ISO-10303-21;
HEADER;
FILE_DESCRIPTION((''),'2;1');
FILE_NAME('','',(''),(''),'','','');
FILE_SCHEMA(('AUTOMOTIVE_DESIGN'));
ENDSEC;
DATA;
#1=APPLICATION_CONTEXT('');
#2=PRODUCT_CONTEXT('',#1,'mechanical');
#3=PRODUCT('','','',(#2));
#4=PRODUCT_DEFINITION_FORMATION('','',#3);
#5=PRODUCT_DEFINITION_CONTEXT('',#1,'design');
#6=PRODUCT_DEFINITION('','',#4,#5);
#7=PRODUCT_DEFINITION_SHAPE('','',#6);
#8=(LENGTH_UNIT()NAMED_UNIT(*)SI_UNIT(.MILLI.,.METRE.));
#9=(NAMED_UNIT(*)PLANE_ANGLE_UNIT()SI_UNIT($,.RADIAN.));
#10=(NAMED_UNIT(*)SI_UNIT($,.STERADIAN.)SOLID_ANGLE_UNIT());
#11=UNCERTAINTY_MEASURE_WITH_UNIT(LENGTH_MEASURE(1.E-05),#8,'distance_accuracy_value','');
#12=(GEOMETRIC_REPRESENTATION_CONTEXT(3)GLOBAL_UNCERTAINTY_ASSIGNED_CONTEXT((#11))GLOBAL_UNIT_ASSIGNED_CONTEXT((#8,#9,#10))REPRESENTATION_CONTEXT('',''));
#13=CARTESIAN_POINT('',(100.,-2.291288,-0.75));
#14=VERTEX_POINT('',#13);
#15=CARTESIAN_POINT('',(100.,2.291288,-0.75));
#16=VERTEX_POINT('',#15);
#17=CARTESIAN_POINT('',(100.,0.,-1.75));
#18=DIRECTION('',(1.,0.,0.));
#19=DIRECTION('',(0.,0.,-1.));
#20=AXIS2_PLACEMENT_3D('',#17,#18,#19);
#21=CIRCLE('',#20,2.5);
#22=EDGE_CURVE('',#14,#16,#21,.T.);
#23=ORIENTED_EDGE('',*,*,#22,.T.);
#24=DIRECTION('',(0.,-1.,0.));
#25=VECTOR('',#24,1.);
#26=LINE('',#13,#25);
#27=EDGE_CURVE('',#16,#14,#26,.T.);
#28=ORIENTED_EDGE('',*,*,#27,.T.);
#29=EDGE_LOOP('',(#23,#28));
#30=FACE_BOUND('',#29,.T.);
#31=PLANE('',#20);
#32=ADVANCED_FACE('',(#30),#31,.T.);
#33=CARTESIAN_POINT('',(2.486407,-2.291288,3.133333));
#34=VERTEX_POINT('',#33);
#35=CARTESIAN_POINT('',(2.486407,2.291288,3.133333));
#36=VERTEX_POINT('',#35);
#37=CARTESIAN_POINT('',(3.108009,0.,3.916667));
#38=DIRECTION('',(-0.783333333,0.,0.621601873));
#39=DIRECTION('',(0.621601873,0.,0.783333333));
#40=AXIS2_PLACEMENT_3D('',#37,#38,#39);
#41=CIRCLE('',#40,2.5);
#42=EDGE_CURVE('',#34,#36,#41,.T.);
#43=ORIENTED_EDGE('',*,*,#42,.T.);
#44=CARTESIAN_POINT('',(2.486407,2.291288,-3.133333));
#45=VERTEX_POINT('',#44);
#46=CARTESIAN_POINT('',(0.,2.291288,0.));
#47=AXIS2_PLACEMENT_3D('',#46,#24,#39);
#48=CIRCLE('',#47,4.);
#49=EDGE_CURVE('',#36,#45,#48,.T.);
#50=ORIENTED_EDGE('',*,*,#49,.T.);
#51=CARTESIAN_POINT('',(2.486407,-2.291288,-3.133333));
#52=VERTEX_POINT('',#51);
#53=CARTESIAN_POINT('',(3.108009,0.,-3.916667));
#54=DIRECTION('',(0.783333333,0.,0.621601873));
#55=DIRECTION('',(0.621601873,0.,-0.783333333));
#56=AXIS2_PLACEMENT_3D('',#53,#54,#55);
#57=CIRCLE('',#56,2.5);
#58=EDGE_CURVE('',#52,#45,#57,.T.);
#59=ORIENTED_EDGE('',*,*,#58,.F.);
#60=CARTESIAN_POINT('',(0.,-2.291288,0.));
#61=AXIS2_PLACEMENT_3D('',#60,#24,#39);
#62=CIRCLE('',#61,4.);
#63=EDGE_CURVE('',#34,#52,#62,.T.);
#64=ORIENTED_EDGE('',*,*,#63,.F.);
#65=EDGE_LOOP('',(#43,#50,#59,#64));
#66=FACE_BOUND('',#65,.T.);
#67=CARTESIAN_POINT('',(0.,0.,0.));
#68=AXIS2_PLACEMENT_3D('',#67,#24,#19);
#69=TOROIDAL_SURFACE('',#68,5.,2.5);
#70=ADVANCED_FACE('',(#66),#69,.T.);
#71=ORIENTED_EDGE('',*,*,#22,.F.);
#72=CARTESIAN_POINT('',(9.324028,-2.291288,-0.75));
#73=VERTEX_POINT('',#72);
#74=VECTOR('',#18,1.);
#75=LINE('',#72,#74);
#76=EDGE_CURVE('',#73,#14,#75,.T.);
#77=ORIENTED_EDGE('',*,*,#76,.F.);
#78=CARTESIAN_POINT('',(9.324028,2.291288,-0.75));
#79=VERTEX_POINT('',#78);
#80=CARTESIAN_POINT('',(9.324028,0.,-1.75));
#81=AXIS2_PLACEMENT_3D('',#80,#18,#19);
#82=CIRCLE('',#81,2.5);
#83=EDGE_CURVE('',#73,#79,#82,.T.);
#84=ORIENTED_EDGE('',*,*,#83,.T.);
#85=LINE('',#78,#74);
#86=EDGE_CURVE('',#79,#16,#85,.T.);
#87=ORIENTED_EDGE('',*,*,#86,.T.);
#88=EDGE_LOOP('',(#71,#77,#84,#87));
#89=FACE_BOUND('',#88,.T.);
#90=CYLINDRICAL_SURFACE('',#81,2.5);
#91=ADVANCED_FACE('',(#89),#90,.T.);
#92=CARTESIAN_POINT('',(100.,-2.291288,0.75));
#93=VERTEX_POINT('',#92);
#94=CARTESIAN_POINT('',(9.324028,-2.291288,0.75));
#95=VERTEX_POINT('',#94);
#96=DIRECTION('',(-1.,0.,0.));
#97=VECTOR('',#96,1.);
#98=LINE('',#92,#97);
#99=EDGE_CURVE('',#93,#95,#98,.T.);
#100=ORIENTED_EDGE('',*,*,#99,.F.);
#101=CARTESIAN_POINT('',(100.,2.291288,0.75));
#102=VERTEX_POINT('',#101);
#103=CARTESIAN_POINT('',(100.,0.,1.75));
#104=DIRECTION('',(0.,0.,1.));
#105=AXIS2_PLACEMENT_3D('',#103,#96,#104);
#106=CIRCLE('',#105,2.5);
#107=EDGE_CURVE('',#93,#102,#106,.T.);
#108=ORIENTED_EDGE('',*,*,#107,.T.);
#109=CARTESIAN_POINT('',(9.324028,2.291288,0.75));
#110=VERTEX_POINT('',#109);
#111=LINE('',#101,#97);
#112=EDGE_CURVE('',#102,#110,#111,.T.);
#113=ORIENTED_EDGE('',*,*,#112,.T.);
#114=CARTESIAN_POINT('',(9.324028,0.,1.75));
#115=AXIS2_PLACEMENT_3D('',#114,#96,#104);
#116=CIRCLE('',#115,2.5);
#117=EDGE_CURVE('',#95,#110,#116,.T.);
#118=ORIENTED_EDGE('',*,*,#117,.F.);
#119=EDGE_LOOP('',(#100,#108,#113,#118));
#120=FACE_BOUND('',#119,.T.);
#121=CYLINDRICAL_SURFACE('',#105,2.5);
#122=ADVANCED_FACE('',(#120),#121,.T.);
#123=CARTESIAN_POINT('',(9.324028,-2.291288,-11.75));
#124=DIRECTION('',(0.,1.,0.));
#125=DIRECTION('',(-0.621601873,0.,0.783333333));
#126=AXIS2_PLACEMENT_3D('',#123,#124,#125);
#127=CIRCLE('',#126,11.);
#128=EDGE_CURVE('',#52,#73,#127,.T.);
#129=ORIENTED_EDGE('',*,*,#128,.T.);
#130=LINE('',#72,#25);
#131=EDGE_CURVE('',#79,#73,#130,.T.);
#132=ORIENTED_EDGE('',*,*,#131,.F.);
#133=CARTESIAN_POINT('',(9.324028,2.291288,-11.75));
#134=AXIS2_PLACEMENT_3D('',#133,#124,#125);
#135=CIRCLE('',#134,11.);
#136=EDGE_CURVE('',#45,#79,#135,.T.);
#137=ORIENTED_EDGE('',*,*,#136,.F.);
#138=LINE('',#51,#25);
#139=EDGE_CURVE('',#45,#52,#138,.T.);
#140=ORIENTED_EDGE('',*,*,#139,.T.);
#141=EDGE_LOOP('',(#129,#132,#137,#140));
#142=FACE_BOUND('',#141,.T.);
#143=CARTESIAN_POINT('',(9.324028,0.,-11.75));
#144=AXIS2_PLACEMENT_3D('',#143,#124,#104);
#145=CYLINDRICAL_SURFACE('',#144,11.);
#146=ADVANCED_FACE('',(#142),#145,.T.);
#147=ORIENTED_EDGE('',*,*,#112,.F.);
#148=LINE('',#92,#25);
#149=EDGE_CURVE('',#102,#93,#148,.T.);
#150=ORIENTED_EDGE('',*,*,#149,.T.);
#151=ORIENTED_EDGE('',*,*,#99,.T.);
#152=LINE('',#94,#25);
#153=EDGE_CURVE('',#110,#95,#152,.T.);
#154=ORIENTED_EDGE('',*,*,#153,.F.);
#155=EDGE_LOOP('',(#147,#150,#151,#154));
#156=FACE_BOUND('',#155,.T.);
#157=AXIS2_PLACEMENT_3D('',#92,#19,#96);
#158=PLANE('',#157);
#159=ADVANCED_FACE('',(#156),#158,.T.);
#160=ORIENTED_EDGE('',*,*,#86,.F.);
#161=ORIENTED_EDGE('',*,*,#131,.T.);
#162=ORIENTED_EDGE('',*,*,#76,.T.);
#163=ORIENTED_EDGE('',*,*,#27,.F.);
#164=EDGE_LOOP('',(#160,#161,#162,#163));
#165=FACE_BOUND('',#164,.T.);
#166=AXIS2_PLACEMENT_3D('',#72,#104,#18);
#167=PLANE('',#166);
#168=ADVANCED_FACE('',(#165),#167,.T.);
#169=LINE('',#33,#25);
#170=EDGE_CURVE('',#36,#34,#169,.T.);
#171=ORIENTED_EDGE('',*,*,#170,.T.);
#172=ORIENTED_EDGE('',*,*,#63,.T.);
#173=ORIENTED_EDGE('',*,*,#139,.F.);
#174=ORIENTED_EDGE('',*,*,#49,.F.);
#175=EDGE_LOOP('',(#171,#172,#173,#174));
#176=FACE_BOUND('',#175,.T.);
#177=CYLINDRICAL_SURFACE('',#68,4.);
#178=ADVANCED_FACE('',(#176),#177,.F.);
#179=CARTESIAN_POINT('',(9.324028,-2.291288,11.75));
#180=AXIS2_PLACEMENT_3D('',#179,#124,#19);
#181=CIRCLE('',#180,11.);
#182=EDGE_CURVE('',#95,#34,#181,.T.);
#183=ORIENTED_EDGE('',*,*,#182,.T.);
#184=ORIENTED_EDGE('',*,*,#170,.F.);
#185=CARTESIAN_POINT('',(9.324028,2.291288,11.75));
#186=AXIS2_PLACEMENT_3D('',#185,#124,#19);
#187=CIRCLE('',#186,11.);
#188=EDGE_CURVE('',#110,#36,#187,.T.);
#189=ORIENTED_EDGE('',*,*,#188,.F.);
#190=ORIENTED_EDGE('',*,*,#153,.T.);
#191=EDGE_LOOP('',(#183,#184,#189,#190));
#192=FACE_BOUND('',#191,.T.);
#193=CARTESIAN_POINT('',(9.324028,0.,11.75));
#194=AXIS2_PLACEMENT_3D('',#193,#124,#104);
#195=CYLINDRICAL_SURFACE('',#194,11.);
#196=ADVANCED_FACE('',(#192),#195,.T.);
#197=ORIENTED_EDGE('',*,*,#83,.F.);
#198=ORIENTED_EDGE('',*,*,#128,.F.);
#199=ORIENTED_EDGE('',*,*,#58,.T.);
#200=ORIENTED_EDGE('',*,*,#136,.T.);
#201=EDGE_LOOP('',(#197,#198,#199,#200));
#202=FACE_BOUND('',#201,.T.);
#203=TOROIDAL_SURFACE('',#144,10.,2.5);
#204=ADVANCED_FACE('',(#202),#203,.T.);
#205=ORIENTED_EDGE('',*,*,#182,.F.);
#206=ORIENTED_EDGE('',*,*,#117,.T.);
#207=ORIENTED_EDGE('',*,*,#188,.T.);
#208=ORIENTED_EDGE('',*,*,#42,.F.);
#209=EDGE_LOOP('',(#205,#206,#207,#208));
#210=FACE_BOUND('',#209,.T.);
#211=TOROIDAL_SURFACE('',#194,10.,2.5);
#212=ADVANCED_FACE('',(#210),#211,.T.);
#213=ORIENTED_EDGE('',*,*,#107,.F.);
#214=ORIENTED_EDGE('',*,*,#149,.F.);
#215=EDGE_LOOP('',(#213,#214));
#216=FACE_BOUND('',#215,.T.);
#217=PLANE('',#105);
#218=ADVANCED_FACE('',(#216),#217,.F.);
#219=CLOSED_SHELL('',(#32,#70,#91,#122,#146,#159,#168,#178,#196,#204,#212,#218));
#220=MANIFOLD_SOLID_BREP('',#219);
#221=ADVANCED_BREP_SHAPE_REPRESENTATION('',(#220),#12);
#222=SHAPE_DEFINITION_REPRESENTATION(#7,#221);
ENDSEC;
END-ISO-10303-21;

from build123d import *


with BuildPart() as part:
    # Sweep1: sweep along a path in Sketch1
    with BuildLine(Plane(origin=(0, 0, 0), x_dir=(1, 0, 0), z_dir=(0, 1, 0))) as sweep1_path:
        Line((100, 1.75), (9.324028099, 1.75))
        ThreePointArc((9.324028099, 1.75), (6.032625156, 2.307189684), (3.108009366, 3.916666667))
        ThreePointArc((3.108009366, 3.916666667), (-5, 0), (3.108009366, -3.916666667))
        ThreePointArc((3.108009366, -3.916666667), (6.032625156, -2.307189684), (9.324028099, -1.75))
        Line((9.324028099, -1.75), (100, -1.75))
    # Sketch2 → Sweep1 (sweep)
    with BuildSketch(Plane(origin=(100, 0, -1.75), x_dir=(0, 0, -1), z_dir=(1, 0, 0))):
        with BuildLine():
            Line((-1, -2.291287847), (-1, 2.291287847))
            ThreePointArc((-1, 2.291287847), (2.5, 0), (-1, -2.291287847))
        make_face()
    sweep(path=sweep1_path.line)


solid = part.part
